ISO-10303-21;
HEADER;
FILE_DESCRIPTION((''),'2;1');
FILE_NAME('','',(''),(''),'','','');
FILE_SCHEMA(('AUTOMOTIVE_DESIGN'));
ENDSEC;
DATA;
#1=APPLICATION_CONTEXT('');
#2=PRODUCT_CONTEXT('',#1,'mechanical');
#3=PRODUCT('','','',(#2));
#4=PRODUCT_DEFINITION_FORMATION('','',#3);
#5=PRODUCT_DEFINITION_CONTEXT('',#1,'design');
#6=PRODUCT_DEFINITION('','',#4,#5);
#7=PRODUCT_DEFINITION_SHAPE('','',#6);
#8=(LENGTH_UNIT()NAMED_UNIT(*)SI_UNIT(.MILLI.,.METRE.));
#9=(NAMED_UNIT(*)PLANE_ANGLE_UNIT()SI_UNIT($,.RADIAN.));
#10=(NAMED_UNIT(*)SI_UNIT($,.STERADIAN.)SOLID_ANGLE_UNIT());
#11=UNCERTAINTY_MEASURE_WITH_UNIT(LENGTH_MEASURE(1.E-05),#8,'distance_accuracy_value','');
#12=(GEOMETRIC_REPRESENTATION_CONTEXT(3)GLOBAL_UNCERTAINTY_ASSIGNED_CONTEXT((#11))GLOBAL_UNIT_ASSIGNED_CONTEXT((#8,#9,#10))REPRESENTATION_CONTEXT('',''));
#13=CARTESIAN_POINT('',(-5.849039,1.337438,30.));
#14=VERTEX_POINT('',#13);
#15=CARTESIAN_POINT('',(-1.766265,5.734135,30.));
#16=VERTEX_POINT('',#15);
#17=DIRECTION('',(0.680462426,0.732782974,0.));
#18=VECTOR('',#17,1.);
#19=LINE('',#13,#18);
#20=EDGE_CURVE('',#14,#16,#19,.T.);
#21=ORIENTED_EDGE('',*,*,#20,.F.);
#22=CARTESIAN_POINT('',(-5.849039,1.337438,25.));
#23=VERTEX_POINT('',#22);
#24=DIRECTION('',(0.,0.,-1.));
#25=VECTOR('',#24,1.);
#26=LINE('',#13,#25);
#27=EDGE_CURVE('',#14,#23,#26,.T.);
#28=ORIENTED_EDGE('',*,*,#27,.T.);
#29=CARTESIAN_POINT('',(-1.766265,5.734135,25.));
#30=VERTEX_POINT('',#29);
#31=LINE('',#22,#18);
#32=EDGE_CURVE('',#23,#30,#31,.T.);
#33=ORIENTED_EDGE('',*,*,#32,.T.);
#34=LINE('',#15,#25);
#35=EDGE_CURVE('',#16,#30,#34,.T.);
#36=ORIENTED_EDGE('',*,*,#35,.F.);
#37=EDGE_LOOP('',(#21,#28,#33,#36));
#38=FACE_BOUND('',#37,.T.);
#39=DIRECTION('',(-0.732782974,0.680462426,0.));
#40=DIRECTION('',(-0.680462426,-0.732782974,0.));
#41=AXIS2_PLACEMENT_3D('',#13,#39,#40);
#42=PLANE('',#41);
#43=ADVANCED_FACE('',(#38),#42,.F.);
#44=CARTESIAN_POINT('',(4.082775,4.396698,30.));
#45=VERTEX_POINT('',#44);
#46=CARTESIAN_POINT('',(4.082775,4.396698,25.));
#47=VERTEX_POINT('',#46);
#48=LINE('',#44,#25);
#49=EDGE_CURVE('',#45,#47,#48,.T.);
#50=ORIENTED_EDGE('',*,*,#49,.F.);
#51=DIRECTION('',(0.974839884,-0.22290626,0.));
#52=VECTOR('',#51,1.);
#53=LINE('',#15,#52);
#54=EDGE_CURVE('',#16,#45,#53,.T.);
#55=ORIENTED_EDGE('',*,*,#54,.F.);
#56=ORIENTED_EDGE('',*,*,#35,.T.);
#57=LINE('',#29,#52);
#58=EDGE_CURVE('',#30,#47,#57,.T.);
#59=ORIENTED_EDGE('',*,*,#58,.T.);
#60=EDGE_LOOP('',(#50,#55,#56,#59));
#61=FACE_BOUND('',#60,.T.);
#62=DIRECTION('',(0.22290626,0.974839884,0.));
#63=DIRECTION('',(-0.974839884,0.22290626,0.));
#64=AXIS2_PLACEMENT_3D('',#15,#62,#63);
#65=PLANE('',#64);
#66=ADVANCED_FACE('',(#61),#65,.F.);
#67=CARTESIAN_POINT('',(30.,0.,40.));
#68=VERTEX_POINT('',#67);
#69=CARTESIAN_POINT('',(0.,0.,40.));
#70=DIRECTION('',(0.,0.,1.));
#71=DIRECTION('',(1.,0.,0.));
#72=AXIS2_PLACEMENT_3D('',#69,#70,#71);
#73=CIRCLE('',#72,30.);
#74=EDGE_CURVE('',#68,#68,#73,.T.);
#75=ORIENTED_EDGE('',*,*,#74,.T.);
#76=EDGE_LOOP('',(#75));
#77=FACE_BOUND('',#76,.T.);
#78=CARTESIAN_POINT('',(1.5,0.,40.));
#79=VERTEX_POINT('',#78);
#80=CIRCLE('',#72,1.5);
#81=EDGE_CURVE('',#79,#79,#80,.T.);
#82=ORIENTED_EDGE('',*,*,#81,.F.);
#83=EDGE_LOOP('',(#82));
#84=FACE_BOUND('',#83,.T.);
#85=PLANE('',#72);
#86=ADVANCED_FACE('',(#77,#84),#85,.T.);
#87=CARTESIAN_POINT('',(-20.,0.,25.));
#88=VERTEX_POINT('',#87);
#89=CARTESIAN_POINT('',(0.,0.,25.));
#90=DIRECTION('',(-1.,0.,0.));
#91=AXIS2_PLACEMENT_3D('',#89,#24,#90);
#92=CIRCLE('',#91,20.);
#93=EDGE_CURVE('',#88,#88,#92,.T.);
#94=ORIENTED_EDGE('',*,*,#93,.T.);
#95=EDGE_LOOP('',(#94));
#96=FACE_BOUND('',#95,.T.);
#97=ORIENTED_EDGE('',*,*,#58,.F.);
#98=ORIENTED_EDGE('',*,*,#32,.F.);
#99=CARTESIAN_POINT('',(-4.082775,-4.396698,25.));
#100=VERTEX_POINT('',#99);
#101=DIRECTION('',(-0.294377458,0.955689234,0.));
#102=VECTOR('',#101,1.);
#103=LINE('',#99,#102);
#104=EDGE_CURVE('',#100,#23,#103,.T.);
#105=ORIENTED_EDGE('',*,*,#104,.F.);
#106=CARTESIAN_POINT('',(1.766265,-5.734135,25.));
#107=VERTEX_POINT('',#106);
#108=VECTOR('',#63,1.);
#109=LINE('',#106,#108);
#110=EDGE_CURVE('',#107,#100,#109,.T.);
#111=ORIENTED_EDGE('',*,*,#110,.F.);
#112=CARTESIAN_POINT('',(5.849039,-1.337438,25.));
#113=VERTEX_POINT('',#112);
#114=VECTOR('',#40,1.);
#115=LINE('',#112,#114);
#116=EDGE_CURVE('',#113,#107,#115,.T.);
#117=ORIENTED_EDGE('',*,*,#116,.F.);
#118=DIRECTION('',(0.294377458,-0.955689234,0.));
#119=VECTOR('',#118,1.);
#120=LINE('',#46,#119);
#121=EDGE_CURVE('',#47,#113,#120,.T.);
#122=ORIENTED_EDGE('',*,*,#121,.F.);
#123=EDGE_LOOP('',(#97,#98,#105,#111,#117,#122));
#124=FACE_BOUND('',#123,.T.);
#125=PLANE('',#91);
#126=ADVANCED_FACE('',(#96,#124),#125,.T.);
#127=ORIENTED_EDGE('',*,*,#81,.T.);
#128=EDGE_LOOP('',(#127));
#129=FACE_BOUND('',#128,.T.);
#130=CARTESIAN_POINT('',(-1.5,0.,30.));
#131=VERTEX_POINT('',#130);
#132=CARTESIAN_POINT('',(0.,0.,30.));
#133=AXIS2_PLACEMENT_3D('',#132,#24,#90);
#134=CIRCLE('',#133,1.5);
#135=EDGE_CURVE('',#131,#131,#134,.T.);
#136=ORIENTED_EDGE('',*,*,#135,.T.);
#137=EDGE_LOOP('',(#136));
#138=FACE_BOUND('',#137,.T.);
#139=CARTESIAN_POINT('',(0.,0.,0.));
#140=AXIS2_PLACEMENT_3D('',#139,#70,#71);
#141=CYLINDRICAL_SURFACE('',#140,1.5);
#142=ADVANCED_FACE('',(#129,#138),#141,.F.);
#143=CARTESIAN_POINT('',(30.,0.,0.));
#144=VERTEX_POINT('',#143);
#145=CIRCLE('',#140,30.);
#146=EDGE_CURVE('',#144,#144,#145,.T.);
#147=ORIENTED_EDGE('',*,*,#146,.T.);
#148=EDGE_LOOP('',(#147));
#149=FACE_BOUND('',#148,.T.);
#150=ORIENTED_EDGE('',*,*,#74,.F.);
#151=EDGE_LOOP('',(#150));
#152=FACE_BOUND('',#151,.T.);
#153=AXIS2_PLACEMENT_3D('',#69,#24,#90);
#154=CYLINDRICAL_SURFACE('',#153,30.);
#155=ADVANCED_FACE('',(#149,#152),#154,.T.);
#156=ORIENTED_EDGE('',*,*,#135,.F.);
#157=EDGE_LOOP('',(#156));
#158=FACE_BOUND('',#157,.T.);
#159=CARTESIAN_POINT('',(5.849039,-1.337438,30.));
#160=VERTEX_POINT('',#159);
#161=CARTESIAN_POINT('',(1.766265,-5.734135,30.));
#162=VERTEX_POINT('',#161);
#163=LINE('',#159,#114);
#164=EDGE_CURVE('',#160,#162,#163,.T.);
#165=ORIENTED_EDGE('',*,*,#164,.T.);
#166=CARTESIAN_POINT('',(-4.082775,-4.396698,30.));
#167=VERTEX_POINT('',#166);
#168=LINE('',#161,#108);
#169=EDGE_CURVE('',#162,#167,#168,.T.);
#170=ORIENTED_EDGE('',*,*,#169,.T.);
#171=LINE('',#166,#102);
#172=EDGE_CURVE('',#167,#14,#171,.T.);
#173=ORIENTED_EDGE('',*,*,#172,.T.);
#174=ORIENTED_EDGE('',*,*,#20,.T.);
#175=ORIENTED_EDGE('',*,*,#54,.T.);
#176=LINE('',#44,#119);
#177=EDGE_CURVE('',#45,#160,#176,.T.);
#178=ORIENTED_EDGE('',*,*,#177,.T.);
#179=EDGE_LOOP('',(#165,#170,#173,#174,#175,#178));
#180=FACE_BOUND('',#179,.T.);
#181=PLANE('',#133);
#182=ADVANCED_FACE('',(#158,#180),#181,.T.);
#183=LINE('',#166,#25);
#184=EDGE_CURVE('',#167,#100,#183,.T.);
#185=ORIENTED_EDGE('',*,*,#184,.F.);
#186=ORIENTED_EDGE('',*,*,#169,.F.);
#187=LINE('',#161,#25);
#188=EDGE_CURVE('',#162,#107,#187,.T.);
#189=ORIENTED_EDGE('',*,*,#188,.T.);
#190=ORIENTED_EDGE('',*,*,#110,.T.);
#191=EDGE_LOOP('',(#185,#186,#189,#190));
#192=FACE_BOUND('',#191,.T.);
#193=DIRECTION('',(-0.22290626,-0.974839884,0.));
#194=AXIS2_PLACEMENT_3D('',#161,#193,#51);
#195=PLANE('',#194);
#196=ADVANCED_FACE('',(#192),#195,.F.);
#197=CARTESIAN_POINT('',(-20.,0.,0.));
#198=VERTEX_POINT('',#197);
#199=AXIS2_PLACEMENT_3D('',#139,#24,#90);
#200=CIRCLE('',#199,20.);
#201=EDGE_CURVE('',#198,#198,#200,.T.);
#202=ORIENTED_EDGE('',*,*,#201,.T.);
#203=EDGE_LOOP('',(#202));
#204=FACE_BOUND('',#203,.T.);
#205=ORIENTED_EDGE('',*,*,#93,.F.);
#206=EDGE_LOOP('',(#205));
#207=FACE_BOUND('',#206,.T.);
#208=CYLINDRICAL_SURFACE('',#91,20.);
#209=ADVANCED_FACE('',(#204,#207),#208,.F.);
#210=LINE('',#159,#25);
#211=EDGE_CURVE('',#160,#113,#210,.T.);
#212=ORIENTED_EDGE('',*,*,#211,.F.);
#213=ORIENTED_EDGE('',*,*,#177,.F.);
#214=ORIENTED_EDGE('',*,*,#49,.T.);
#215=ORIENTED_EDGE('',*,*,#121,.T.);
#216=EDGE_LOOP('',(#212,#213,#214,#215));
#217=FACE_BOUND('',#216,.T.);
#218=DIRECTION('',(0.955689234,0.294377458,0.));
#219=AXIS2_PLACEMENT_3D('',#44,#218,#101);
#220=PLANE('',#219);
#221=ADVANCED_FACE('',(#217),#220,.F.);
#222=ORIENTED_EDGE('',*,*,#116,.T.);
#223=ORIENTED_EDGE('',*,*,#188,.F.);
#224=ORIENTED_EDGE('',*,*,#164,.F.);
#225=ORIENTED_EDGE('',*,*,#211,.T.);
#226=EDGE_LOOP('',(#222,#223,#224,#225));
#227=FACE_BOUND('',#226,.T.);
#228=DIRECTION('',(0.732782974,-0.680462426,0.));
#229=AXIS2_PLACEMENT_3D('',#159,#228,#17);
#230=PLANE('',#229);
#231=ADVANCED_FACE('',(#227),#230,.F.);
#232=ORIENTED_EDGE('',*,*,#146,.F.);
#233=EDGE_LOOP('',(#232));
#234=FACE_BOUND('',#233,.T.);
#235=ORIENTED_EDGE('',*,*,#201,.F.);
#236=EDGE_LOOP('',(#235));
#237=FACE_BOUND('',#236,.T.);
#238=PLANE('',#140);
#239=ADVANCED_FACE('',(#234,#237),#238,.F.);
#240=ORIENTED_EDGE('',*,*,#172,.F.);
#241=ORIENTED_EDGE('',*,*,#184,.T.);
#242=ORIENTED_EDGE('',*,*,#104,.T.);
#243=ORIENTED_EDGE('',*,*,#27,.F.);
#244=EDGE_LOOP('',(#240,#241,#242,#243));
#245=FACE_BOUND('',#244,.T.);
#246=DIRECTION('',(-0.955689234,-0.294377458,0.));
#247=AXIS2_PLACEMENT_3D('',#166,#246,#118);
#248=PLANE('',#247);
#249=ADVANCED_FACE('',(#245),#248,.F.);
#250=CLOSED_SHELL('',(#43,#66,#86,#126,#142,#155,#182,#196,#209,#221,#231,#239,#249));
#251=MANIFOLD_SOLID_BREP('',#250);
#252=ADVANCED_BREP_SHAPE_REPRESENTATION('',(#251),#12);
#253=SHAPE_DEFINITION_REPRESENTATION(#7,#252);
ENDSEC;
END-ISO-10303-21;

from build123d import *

# Parameters (mm, degrees)
SKETCH1_R           = 30
BOSS_EXTRUDE1_DEPTH = 40
SKETCH2_R           = 20
CUT_EXTRUDE1_DEPTH  = 25
CUT_EXTRUDE2_DEPTH  = 5
SKETCH5_R           = 1.5
CUT_EXTRUDE3_DEPTH  = 40


with BuildPart() as part:
    # Sketch1 → Boss-Extrude1 (new body)
    with BuildSketch(Plane.XY):
        Circle(SKETCH1_R)
    extrude(amount=BOSS_EXTRUDE1_DEPTH)

    # Sketch2 → Cut-Extrude1 (cut)
    with BuildSketch(Plane(origin=(0, 0, 0), x_dir=(-1, 0, 0), z_dir=(0, 0, -1))):
        Circle(SKETCH2_R)
    extrude(amount=-CUT_EXTRUDE1_DEPTH, mode=Mode.SUBTRACT)

    # Sketch3 → Cut-Extrude2 (cut)
    with BuildSketch(Plane(origin=(0, 0, 25), x_dir=(-1, 0, 0), z_dir=(0, 0, -1))):
        Polygon((4.082774554, -4.396697846), (5.849039304, 1.337437558), (1.76626475, 5.734135404), (-4.082774554, 4.396697846), (-5.849039304, -1.337437558), (-1.76626475, -5.734135404), align=None)
    extrude(amount=-CUT_EXTRUDE2_DEPTH, mode=Mode.SUBTRACT)

    # Sketch5 → Cut-Extrude3 (cut)
    with BuildSketch(Plane.XY.offset(40)):
        Circle(SKETCH5_R)
    extrude(amount=-CUT_EXTRUDE3_DEPTH, mode=Mode.SUBTRACT)


solid = part.part
